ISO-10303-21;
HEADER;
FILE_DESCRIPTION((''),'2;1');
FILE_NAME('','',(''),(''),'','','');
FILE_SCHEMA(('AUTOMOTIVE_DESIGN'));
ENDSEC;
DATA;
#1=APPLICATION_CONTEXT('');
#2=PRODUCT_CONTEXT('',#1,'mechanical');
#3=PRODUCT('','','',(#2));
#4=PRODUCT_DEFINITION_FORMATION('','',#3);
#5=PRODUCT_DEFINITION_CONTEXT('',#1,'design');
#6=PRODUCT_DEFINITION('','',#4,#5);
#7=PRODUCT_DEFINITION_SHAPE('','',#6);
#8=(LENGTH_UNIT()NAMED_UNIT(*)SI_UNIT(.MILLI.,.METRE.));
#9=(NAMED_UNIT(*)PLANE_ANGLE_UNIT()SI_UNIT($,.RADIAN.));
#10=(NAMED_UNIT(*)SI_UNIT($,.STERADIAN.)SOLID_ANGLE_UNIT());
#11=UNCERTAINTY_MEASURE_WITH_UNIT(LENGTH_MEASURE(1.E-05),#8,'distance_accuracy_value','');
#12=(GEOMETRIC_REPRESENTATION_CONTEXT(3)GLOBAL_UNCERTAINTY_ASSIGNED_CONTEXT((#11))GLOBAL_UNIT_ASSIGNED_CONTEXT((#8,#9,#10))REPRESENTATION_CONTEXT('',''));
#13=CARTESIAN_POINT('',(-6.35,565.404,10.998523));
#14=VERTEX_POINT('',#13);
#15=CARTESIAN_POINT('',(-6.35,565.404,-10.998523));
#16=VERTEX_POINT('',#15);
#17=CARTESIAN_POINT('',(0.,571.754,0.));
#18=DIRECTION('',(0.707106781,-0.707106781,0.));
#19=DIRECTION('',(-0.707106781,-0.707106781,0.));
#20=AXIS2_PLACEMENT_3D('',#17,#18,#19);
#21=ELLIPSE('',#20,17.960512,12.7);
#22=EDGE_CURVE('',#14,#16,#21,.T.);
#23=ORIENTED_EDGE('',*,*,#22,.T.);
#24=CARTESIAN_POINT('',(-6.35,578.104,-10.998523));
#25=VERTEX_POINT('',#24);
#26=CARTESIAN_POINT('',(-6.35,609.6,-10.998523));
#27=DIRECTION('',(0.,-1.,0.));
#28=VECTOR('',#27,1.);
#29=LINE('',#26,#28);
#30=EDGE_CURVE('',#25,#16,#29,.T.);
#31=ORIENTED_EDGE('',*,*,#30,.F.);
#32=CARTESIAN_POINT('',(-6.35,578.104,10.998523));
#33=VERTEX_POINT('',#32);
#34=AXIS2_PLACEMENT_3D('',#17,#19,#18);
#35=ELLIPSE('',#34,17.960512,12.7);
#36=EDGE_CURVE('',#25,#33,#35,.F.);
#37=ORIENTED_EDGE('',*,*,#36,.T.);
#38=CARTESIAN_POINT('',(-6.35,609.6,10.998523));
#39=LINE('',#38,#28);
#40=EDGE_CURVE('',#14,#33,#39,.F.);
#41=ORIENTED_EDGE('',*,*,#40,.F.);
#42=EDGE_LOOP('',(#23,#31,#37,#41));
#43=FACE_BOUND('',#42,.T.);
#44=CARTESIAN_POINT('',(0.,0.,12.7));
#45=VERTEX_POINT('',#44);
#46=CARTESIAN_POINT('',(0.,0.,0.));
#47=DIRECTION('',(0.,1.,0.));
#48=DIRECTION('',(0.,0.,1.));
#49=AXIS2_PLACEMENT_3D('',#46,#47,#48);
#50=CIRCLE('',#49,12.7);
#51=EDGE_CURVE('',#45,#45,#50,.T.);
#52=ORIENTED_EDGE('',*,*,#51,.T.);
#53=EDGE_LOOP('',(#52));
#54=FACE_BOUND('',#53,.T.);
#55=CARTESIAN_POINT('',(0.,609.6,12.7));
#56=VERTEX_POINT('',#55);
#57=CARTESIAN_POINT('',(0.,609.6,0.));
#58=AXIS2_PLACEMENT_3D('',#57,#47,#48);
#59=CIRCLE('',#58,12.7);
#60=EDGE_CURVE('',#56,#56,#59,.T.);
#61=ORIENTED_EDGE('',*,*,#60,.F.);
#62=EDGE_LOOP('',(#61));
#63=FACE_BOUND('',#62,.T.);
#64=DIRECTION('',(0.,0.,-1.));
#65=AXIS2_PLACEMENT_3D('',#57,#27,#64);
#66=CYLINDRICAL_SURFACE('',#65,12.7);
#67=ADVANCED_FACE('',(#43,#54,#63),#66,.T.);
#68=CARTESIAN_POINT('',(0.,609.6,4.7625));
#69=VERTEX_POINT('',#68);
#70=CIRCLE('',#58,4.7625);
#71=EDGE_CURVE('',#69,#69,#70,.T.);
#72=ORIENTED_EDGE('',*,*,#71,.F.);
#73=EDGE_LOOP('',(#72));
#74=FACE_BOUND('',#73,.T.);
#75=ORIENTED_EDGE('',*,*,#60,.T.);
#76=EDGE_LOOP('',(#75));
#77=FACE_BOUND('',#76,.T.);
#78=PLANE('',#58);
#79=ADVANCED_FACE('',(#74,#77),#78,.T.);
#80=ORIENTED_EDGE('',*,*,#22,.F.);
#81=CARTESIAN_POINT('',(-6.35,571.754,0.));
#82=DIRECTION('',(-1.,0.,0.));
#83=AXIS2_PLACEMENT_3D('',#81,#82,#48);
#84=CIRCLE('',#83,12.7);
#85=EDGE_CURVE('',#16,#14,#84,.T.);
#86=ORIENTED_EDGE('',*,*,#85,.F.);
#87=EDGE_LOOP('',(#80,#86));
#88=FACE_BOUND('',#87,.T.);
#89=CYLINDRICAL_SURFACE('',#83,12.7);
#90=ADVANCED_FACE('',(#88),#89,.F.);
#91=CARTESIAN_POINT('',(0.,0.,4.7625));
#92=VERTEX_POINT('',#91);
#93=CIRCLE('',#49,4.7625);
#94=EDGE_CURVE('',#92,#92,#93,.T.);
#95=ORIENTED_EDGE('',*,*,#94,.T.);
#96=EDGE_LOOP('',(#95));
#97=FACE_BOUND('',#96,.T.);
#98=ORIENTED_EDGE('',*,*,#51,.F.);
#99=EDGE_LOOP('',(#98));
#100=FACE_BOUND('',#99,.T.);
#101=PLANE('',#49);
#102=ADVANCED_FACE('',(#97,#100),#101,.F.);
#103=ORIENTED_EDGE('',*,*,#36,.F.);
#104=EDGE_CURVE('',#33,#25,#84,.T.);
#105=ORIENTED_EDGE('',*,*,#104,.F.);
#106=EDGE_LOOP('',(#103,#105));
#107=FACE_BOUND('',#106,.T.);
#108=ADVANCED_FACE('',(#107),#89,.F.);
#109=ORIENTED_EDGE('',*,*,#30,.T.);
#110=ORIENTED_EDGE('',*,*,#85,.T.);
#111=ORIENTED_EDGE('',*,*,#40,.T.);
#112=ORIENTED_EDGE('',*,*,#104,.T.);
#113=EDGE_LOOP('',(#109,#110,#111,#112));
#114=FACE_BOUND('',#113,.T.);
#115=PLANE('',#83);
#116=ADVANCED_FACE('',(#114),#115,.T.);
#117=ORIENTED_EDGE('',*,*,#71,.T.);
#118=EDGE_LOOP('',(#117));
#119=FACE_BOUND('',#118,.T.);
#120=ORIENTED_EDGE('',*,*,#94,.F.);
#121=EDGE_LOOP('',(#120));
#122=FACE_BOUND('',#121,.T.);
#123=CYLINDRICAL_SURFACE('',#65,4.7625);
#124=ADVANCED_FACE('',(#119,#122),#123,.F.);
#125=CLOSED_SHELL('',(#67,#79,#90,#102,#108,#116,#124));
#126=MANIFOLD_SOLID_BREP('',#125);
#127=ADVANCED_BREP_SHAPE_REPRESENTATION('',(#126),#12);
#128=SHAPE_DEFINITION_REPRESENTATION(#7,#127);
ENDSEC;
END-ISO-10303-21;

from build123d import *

# Parameters (mm, degrees)
SKETCH1_R           = 12.7
SKETCH1_R_2         = 4.7625
BOSS_EXTRUDE1_DEPTH = 609.6
SKETCH3_R           = 12.7
CUT_EXTRUDE1_DEPTH  = 6.35


with BuildPart() as part:
    # Sketch1 → Boss-Extrude1 (new body)
    with BuildSketch(Plane(origin=(0, 0, 0), x_dir=(1, 0, 0), z_dir=(0, 1, 0))):
        Circle(SKETCH1_R)
        Circle(SKETCH1_R_2, mode=Mode.SUBTRACT)
    extrude(amount=BOSS_EXTRUDE1_DEPTH)

    # Sketch3 → Cut-Extrude1 (cut)
    with BuildSketch(Plane.ZY.offset(12.7)):
        with Locations((0, 571.754)):
            Circle(SKETCH3_R)
    extrude(amount=-CUT_EXTRUDE1_DEPTH, mode=Mode.SUBTRACT)


solid = part.part
